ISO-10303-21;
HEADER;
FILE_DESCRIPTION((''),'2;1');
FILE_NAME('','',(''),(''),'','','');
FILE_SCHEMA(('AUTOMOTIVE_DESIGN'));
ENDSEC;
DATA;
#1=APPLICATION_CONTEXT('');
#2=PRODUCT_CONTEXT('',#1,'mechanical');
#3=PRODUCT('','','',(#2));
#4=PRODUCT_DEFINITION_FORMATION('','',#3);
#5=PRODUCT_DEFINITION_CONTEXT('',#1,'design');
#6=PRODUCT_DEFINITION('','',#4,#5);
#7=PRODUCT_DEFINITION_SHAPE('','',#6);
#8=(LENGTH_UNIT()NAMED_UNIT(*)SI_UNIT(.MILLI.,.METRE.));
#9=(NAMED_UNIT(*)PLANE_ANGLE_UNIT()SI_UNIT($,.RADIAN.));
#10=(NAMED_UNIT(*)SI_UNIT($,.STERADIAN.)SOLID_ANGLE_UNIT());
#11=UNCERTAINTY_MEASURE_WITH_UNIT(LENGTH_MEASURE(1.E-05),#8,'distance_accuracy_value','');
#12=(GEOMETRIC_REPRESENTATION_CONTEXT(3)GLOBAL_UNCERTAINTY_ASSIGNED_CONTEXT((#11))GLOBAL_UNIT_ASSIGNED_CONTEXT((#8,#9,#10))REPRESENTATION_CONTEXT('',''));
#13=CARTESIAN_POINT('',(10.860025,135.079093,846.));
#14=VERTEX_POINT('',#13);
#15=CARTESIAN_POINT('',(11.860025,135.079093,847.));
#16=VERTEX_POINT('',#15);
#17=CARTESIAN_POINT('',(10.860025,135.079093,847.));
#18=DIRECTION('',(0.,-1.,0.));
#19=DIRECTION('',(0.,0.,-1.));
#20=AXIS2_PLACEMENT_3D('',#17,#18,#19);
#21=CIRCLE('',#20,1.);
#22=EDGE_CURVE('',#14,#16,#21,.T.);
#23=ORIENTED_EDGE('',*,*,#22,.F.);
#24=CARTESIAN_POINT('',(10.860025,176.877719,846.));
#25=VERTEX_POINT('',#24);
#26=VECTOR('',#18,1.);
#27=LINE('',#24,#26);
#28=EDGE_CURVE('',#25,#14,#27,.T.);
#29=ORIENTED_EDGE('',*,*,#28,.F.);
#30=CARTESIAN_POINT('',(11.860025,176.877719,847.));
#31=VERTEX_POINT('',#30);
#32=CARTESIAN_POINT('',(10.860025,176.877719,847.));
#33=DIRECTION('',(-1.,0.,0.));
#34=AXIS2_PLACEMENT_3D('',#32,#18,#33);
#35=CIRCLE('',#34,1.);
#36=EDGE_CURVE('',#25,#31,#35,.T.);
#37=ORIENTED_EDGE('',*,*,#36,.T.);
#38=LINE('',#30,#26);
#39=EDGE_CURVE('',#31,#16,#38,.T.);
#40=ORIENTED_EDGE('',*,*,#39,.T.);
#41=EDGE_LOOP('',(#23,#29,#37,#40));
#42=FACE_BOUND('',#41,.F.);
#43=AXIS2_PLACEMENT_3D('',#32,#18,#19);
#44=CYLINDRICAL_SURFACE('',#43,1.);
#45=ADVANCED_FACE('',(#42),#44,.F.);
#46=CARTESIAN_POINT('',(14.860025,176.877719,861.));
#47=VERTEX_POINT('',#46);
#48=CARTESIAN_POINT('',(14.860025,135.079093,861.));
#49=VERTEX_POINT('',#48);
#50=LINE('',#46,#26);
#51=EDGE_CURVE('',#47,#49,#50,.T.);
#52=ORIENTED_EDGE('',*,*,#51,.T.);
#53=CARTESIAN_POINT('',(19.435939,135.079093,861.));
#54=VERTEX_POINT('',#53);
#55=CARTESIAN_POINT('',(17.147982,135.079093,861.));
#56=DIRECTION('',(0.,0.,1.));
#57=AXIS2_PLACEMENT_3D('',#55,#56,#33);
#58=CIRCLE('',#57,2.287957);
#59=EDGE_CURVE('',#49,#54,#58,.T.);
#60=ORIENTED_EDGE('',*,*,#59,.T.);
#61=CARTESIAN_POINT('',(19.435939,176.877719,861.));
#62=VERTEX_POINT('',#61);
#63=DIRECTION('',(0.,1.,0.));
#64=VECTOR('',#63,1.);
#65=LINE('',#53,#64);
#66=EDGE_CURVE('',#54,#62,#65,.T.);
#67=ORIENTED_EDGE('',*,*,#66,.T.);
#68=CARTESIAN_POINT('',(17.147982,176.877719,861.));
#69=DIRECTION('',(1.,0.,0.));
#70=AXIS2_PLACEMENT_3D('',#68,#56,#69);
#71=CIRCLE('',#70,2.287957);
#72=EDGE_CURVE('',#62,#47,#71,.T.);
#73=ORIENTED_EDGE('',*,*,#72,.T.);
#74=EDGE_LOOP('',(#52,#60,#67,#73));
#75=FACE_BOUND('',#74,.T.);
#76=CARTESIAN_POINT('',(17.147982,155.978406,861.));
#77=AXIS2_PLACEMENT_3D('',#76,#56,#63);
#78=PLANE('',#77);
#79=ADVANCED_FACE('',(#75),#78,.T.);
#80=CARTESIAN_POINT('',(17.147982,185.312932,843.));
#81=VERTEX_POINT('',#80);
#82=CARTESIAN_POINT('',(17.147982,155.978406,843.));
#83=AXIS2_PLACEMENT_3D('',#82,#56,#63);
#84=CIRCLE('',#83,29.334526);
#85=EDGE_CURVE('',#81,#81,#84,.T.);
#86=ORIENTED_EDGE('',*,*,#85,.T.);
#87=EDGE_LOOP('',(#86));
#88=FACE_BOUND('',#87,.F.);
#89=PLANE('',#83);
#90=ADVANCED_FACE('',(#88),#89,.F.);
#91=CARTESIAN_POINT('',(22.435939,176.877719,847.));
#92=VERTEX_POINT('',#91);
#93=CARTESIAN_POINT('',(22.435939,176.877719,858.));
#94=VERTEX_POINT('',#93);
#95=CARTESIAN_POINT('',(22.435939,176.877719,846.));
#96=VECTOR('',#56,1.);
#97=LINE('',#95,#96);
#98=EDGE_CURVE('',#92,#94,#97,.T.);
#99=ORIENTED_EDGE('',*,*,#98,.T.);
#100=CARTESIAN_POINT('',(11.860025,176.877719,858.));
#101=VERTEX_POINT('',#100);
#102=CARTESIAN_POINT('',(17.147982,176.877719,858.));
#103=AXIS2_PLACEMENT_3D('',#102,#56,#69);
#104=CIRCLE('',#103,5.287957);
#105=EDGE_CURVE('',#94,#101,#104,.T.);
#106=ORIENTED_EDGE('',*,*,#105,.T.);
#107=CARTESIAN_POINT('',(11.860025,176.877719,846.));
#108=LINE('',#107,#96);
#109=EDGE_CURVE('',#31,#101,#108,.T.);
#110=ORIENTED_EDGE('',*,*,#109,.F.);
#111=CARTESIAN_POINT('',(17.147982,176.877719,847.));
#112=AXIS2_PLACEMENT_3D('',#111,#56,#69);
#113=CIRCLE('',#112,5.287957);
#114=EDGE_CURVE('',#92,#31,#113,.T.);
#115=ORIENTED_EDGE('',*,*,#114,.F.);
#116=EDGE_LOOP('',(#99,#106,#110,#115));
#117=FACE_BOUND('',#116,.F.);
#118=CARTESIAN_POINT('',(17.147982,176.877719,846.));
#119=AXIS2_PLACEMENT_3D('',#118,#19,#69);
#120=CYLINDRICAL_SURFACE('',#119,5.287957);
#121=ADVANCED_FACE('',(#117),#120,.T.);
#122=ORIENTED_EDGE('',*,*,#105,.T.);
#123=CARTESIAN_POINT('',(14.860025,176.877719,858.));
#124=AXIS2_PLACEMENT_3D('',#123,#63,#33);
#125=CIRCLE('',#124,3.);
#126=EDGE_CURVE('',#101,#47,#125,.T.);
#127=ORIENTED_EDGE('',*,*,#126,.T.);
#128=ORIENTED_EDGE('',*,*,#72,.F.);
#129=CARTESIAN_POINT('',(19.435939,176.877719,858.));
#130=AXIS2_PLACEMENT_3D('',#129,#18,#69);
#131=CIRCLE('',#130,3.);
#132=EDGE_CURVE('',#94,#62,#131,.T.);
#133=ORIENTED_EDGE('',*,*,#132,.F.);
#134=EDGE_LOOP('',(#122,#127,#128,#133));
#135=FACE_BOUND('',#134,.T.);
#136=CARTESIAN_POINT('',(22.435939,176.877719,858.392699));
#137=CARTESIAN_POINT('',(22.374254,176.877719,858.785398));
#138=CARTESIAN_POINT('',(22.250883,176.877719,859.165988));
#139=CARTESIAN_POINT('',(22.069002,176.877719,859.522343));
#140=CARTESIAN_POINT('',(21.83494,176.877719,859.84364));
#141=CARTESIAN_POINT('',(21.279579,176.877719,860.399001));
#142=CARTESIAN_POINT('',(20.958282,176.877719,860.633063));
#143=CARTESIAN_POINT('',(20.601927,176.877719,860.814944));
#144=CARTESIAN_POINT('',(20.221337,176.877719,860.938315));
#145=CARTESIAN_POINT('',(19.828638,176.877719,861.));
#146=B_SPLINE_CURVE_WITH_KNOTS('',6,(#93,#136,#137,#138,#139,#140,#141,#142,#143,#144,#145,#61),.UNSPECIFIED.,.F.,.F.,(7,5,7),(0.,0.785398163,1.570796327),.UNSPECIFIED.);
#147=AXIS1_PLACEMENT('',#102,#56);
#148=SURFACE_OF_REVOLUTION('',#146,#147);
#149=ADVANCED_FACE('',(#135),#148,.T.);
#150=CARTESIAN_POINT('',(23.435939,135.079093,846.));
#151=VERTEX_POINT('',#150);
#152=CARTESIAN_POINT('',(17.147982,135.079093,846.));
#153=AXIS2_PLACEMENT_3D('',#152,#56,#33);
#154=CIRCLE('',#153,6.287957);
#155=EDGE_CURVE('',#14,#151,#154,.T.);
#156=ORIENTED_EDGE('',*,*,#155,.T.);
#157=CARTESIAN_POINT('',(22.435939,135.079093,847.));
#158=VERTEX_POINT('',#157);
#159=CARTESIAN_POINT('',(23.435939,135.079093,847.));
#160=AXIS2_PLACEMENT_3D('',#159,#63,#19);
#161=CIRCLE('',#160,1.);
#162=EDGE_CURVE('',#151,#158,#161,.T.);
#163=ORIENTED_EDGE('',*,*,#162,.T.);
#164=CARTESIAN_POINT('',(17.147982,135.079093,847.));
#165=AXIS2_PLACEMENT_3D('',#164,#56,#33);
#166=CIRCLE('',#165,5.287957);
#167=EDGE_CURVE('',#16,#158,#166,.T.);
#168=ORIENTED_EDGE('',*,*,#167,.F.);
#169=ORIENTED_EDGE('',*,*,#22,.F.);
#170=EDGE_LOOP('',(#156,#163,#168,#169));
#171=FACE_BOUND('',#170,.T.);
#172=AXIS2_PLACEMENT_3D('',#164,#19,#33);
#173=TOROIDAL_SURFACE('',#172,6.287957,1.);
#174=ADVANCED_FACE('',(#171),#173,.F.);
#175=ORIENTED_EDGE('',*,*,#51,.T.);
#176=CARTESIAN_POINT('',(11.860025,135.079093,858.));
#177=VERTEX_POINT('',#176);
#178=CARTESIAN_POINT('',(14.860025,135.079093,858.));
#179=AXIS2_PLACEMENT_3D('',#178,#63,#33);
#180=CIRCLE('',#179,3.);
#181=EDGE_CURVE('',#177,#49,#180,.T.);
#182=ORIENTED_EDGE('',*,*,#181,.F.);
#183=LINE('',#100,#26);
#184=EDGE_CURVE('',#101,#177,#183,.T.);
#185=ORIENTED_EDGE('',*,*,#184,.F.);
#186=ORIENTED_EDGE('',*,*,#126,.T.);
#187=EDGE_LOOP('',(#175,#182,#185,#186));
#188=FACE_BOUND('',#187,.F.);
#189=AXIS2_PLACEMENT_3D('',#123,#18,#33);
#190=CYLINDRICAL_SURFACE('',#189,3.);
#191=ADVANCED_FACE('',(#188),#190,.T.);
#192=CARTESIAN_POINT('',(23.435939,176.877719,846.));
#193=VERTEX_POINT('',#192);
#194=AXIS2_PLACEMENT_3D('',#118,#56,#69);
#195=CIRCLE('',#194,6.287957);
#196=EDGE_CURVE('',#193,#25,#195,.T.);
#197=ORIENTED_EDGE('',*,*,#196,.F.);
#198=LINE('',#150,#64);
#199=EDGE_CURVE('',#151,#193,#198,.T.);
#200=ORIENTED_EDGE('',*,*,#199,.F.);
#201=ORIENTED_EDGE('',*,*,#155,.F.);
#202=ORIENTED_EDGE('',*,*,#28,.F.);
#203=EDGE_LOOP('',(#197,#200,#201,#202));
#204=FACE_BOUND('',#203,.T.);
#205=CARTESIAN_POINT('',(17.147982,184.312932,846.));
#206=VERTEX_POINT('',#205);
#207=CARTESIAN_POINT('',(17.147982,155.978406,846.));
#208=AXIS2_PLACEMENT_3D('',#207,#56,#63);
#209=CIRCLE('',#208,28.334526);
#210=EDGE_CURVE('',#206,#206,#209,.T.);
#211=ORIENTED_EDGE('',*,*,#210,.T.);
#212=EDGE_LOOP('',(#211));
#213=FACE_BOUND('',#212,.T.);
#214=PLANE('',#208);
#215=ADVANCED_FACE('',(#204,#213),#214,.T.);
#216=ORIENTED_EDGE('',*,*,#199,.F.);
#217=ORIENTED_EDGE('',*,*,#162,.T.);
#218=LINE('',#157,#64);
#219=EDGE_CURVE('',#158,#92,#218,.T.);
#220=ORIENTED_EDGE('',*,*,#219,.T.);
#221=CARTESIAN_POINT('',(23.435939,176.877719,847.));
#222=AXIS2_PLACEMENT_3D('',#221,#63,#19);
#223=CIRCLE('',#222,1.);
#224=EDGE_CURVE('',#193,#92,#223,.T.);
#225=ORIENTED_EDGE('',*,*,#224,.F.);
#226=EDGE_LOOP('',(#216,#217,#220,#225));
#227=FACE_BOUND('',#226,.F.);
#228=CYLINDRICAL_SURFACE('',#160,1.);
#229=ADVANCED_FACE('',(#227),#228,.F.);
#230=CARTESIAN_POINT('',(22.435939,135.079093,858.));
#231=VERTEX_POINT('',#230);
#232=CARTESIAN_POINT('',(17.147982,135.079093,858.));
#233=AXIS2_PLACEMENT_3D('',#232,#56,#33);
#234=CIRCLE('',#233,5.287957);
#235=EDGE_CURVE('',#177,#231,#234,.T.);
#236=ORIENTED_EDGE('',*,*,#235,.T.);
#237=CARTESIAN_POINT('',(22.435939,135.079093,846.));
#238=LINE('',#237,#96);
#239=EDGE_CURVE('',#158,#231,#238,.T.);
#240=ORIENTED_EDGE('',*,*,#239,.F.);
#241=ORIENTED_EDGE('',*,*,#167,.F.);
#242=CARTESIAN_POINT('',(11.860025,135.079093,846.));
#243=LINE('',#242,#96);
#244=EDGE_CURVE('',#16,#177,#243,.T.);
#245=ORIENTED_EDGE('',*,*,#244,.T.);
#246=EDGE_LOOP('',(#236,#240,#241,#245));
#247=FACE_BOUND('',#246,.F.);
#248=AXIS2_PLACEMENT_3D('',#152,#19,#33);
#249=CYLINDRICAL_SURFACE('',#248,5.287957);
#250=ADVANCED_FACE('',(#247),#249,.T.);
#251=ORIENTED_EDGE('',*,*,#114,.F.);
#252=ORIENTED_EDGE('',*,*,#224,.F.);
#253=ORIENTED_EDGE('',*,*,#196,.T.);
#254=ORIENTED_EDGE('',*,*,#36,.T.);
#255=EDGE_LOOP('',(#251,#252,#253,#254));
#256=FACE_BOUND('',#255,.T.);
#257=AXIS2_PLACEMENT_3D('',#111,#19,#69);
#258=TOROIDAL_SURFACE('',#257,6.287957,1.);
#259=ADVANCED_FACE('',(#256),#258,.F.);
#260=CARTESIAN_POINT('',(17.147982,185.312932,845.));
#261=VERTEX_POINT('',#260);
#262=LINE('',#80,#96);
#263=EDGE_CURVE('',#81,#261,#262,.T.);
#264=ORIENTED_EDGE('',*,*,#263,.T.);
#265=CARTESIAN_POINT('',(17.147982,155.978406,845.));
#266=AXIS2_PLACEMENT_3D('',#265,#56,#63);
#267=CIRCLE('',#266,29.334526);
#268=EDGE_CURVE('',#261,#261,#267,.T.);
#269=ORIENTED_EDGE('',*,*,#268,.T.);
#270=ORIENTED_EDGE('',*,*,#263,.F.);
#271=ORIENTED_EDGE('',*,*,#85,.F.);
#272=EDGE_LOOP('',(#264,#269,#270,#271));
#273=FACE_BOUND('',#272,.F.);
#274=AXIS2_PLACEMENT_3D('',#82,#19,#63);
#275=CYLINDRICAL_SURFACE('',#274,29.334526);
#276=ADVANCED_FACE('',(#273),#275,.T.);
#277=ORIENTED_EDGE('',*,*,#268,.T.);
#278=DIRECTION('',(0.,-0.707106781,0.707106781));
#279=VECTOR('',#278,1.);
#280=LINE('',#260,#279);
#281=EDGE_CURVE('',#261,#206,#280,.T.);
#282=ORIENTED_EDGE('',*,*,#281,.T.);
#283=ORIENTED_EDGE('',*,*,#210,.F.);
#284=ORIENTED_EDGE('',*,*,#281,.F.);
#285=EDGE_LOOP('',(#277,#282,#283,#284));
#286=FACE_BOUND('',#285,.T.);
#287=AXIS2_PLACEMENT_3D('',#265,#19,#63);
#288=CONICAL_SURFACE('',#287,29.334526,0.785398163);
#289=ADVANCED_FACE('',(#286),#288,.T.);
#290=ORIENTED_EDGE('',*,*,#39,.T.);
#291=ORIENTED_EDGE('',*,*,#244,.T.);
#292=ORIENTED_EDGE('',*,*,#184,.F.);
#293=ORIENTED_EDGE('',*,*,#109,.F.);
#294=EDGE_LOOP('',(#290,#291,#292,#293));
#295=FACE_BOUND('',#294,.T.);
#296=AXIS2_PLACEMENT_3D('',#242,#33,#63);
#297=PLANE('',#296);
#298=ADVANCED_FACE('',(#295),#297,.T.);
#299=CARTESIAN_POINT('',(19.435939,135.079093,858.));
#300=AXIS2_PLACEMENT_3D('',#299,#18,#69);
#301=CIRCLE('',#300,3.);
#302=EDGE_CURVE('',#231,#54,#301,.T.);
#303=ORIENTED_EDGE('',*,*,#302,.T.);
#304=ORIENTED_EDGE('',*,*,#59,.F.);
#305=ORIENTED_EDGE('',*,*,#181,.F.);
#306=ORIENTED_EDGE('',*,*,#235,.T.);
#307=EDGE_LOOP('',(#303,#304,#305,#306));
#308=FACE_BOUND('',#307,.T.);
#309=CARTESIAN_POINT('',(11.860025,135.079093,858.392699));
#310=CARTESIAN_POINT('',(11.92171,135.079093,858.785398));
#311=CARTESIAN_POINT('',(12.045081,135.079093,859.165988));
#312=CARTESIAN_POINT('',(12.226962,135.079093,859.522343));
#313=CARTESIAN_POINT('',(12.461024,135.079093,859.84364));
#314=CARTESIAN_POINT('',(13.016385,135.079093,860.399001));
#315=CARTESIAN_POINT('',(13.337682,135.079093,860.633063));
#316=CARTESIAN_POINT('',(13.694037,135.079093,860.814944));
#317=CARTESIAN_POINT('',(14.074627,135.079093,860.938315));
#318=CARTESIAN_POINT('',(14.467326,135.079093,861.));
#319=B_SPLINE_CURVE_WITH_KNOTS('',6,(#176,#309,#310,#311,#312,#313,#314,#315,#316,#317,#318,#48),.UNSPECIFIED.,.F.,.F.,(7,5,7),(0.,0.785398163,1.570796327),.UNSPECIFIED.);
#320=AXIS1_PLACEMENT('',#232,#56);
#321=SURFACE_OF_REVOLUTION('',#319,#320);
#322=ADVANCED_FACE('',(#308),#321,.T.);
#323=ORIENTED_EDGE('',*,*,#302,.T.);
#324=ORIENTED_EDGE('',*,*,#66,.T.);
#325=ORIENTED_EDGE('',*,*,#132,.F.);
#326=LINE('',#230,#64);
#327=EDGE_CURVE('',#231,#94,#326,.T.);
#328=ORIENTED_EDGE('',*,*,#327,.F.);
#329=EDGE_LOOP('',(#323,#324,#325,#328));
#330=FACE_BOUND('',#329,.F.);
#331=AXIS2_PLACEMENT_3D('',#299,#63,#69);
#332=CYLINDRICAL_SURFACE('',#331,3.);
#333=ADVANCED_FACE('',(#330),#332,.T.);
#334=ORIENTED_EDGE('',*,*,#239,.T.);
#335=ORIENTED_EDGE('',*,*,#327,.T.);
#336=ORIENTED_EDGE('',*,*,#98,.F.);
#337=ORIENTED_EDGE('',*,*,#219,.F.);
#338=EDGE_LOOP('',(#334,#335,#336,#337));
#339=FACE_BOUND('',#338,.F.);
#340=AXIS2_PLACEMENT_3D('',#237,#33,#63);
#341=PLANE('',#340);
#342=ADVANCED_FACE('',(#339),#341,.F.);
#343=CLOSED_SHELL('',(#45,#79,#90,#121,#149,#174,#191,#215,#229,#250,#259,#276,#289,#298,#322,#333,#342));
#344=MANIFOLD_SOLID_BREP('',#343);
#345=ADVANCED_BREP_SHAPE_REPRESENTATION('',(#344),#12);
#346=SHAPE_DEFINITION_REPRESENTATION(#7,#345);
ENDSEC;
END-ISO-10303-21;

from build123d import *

# Parameters (mm, degrees)
SKETCH018_R     = 29.334526
PAD014_DEPTH    = 3
PAD015_DEPTH    = 15
CHAMFER002_SIZE = 1
FILLET011_R     = 1
FILLET012_R     = 3


with BuildPart() as part:
    # Sketch018 (on DatumPlane) → Pad014 (new body)
    with BuildSketch(Plane(origin=(17.147982, 155.978406, 843), x_dir=(0, 1, 0), z_dir=(0, 0, 1))):
        Circle(SKETCH018_R)
    extrude(amount=PAD014_DEPTH)

    # Sketch019 (on Face3 of Pad014) → Pad015 (join)
    with BuildSketch(Plane(origin=(17.147982, 155.978406, 846), x_dir=(0, 1, 0), z_dir=(0, 0, 1))):
        with BuildLine():
            ThreePointArc((-20.899313, 5.287957), (-26.18727, 0), (-20.899313, -5.287957))
            Line((-20.899313, -5.287957), (20.899313, -5.287957))
            ThreePointArc((20.899313, -5.287957), (26.18727, 0), (20.899313, 5.287957))
            Line((-20.899313, 5.287957), (20.899313, 5.287957))
        make_face()
    extrude(amount=PAD015_DEPTH)

    # Chamfer002
    chamfer002_edges = [part.edges().sort_by_distance(p)[0] for p in [
        (17.147982, 126.64388, 846),
    ]]
    chamfer(chamfer002_edges, length=CHAMFER002_SIZE)

    # Fillet011
    fillet011_edges = [part.edges().sort_by_distance(p)[0] for p in [
        (22.435939, 155.978406, 846),
    ]]
    fillet(fillet011_edges, radius=FILLET011_R)

    # Fillet012
    fillet012_edges = [part.edges().sort_by_distance(p)[0] for p in [
        (22.435939, 155.978406, 861),
    ]]
    fillet(fillet012_edges, radius=FILLET012_R)


solid = part.part
